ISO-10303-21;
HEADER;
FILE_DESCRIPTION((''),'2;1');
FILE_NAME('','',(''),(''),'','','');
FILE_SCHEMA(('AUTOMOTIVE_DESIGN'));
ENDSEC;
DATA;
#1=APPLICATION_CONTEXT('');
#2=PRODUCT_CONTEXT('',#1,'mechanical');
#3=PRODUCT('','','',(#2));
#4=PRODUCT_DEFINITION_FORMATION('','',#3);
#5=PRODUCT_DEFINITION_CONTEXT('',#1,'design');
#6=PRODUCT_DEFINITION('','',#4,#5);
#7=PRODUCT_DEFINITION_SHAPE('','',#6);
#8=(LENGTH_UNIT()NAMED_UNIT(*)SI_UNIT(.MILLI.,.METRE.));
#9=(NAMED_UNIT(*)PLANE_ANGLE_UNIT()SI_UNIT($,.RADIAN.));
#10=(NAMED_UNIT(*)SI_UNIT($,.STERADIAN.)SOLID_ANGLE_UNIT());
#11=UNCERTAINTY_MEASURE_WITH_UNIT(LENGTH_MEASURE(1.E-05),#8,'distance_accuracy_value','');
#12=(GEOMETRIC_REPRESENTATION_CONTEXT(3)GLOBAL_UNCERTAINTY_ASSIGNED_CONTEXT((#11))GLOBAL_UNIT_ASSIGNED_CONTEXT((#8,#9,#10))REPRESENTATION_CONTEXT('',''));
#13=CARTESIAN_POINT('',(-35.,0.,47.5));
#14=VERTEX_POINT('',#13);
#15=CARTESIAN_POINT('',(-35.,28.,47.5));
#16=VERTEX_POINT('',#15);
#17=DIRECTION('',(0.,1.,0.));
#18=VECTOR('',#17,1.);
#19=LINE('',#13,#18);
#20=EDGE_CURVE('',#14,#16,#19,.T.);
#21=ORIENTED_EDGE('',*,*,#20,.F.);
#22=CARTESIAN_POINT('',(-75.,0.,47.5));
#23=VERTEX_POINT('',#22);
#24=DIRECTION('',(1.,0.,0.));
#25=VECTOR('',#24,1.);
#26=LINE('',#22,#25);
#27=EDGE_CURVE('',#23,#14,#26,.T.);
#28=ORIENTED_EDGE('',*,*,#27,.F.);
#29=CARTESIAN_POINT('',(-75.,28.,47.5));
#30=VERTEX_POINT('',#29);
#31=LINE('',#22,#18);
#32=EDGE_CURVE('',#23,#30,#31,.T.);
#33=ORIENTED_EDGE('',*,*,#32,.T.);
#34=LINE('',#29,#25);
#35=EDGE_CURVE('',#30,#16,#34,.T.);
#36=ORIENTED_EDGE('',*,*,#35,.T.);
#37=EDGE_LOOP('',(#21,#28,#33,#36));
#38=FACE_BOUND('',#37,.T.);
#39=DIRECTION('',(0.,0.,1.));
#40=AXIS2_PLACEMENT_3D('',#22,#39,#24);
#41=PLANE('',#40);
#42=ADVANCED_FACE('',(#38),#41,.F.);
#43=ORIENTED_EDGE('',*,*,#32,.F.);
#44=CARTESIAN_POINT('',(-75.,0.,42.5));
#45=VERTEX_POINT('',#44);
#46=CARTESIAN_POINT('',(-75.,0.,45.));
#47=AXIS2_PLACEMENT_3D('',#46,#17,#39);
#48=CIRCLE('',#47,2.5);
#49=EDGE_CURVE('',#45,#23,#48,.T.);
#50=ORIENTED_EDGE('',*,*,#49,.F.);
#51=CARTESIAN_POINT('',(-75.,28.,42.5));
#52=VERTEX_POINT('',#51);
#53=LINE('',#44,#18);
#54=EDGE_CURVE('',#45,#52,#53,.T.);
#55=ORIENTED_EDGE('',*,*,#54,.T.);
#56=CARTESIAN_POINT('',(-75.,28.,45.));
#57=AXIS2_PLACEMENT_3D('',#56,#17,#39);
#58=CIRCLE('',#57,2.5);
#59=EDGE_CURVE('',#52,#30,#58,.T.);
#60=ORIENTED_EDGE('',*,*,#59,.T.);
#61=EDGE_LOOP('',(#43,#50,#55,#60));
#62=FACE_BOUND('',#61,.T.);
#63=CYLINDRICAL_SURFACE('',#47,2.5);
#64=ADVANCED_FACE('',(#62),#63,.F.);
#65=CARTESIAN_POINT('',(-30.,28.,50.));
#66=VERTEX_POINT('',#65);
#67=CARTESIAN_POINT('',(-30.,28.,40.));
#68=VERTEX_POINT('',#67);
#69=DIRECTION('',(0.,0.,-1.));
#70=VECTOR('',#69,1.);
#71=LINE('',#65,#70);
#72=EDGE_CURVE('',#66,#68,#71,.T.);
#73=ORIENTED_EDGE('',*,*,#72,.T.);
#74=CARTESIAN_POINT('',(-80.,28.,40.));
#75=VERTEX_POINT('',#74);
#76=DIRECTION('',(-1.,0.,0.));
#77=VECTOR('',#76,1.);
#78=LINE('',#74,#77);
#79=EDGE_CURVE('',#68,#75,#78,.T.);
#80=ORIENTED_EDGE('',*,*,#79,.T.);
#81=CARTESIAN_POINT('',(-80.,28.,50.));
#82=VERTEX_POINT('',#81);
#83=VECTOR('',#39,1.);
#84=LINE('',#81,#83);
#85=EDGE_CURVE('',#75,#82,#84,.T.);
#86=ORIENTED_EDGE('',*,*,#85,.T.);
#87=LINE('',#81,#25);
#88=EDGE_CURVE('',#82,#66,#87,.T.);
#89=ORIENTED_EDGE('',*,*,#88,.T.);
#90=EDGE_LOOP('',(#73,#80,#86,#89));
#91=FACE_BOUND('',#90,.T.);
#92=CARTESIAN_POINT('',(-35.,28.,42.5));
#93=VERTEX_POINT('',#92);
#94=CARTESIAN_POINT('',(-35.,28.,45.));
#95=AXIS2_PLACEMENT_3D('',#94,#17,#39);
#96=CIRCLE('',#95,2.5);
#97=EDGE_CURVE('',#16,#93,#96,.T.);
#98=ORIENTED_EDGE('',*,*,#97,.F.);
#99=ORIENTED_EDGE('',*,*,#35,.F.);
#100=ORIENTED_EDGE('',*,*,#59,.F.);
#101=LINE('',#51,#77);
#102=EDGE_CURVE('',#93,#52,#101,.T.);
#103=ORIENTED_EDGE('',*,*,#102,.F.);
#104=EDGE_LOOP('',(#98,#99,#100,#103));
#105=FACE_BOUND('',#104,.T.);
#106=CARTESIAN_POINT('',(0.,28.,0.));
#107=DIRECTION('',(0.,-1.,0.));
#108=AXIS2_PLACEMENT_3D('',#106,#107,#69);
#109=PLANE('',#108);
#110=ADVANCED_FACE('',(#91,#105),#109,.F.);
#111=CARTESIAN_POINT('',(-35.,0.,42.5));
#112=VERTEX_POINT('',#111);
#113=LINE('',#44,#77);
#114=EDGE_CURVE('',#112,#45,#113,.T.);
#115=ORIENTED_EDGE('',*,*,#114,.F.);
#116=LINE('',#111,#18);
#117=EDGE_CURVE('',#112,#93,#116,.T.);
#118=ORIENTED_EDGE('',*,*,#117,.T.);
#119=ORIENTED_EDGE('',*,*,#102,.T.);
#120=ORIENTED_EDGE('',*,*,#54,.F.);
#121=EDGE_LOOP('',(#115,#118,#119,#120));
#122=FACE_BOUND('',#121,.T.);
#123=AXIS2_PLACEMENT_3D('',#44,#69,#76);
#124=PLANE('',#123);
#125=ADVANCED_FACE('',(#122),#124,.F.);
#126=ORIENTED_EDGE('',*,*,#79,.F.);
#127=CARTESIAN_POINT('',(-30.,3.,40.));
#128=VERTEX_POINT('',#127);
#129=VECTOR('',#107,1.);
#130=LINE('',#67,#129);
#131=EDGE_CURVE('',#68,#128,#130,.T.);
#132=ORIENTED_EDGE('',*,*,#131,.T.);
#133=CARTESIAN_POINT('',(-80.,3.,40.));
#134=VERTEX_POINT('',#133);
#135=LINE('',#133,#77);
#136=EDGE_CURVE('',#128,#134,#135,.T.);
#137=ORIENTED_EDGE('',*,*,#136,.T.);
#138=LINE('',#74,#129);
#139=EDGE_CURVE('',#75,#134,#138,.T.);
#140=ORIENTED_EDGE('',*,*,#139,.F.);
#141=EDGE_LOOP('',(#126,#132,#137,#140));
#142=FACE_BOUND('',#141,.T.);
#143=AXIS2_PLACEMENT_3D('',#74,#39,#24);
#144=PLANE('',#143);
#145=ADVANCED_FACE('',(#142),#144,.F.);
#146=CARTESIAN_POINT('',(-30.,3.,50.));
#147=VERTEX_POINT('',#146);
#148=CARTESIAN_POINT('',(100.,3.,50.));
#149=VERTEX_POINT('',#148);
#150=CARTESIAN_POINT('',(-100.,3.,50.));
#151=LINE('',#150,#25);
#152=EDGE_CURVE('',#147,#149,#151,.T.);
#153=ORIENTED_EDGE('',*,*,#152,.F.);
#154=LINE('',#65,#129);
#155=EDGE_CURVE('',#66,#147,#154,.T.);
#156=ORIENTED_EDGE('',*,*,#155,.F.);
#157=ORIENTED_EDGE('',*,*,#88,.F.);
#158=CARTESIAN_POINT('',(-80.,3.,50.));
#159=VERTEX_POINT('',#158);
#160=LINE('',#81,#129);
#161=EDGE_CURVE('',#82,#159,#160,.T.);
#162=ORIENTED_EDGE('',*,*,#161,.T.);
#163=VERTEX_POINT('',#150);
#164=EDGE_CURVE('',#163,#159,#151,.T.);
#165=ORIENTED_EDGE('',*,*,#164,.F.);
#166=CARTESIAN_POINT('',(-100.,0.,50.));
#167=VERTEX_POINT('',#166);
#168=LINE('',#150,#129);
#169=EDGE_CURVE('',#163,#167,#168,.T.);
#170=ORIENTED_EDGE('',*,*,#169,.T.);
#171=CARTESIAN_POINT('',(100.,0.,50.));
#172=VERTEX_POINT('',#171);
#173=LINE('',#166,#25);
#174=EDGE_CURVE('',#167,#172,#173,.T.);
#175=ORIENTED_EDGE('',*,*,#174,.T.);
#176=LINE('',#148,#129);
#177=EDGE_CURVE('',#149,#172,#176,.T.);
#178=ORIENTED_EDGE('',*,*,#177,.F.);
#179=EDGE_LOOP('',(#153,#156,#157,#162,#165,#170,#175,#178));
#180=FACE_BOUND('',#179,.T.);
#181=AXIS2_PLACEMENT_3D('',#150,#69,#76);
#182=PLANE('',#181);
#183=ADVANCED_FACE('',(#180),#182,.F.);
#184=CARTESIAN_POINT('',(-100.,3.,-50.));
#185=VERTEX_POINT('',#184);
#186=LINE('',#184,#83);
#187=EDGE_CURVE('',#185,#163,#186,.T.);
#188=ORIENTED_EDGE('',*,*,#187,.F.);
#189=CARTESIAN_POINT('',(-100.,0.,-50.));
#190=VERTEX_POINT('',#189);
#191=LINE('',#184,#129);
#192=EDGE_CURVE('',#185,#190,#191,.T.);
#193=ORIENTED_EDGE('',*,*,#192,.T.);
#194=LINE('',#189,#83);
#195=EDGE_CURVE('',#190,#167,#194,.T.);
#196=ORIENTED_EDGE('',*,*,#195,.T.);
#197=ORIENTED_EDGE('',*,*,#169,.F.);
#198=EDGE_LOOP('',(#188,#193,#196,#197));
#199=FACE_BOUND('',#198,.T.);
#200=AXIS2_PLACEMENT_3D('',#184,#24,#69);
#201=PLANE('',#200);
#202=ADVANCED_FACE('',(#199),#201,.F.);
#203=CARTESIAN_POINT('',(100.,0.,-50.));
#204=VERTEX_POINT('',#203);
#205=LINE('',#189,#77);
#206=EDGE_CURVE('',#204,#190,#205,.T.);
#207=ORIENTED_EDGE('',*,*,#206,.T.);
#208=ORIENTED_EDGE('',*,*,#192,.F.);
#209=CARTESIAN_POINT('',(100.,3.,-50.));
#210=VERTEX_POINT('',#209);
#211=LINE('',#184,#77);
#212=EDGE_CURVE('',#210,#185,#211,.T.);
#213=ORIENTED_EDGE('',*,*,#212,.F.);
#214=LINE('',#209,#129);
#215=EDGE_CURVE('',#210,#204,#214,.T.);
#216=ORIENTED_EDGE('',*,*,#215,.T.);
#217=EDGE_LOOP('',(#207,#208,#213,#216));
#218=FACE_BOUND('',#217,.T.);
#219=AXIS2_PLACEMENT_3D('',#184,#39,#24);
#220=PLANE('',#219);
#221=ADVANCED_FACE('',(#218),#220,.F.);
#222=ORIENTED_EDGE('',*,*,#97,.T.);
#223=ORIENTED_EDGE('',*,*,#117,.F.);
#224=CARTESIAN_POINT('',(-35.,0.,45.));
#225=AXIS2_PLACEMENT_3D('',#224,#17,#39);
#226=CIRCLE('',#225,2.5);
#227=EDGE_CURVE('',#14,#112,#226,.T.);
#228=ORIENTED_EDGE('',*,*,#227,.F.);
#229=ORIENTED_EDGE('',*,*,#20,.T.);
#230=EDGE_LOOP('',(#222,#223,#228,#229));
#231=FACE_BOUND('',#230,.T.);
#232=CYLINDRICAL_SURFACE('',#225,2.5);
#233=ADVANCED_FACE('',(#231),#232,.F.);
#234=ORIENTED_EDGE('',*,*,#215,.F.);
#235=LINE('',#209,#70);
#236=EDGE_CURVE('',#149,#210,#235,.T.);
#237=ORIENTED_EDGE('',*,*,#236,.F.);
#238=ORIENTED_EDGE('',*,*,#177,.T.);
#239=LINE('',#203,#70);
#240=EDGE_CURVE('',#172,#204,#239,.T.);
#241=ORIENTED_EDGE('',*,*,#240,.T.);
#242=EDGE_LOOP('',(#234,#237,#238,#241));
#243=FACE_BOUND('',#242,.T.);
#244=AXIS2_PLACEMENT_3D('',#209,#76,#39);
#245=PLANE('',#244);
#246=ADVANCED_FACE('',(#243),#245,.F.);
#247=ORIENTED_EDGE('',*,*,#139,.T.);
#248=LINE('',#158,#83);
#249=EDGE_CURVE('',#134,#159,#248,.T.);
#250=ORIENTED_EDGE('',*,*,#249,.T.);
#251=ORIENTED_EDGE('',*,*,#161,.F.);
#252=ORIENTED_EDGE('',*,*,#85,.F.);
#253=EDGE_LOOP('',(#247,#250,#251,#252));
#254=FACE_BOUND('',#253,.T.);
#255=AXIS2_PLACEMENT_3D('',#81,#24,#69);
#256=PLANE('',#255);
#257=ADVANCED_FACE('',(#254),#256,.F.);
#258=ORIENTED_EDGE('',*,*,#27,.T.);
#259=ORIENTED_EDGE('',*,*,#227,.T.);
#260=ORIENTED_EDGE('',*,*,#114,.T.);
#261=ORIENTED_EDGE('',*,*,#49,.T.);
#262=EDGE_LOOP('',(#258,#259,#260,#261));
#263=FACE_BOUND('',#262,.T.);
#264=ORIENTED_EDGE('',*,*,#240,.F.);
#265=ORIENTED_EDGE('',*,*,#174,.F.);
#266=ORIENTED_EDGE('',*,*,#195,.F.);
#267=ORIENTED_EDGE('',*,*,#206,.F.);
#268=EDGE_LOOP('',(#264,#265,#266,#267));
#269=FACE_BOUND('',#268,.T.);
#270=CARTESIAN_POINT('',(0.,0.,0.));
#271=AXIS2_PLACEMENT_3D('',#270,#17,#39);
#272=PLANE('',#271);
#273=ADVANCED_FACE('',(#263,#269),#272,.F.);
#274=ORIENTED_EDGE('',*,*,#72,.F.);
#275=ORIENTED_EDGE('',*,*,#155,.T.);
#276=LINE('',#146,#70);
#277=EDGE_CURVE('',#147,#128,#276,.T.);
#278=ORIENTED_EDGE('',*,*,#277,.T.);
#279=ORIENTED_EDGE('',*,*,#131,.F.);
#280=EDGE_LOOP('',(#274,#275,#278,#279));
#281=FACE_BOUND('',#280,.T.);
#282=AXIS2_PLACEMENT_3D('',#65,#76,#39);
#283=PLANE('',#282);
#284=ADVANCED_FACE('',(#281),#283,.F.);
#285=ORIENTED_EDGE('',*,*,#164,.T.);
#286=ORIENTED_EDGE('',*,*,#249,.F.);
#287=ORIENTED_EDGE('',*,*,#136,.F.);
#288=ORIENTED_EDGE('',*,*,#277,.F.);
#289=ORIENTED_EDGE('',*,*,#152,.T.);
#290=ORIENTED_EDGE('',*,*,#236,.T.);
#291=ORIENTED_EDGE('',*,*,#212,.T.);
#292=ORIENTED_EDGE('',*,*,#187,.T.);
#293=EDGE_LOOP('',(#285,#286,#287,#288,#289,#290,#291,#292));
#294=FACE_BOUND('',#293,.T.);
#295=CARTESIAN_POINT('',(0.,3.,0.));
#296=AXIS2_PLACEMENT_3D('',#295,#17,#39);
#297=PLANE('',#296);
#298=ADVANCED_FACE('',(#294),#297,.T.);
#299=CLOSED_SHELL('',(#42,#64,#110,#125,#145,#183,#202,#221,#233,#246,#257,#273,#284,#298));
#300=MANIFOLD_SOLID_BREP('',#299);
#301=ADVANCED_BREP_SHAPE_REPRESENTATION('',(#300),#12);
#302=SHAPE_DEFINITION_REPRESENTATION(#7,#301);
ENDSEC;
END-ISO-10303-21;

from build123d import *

# Parameters (mm, degrees)
SKETCH1_W           = 200
SKETCH1_H           = 100
BOSS_EXTRUDE1_DEPTH = 3
SKETCH2_W           = 50
SKETCH2_H           = 10
BOSS_EXTRUDE2_DEPTH = 25
CUT_EXTRUDE1_DEPTH  = 29


with BuildPart() as part:
    # Sketch1 → Boss-Extrude1 (new body)
    with BuildSketch(Plane(origin=(0, 0, 0), x_dir=(1, 0, 0), z_dir=(0, 1, 0))):
        Rectangle(SKETCH1_W, SKETCH1_H)
    extrude(amount=BOSS_EXTRUDE1_DEPTH)

    # Sketch2 → Boss-Extrude2 (add)
    with BuildSketch(Plane(origin=(0, 3, 0), x_dir=(1, 0, 0), z_dir=(0, 1, 0))):
        with Locations((-55, -45)):
            Rectangle(SKETCH2_W, SKETCH2_H)
    extrude(amount=BOSS_EXTRUDE2_DEPTH)

    # Sketch3 → Cut-Extrude1 (cut, through all)
    with BuildSketch(Plane(origin=(0, 28, 0), x_dir=(1, 0, 0), z_dir=(0, 1, 0))):
        with BuildLine():
            Line((-75, -42.5), (-35, -42.5))
            ThreePointArc((-35, -42.5), (-32.5, -45), (-35, -47.5))
            Line((-35, -47.5), (-75, -47.5))
            ThreePointArc((-75, -47.5), (-77.5, -45), (-75, -42.5))
        make_face()
    extrude(amount=-CUT_EXTRUDE1_DEPTH, mode=Mode.SUBTRACT)


solid = part.part
